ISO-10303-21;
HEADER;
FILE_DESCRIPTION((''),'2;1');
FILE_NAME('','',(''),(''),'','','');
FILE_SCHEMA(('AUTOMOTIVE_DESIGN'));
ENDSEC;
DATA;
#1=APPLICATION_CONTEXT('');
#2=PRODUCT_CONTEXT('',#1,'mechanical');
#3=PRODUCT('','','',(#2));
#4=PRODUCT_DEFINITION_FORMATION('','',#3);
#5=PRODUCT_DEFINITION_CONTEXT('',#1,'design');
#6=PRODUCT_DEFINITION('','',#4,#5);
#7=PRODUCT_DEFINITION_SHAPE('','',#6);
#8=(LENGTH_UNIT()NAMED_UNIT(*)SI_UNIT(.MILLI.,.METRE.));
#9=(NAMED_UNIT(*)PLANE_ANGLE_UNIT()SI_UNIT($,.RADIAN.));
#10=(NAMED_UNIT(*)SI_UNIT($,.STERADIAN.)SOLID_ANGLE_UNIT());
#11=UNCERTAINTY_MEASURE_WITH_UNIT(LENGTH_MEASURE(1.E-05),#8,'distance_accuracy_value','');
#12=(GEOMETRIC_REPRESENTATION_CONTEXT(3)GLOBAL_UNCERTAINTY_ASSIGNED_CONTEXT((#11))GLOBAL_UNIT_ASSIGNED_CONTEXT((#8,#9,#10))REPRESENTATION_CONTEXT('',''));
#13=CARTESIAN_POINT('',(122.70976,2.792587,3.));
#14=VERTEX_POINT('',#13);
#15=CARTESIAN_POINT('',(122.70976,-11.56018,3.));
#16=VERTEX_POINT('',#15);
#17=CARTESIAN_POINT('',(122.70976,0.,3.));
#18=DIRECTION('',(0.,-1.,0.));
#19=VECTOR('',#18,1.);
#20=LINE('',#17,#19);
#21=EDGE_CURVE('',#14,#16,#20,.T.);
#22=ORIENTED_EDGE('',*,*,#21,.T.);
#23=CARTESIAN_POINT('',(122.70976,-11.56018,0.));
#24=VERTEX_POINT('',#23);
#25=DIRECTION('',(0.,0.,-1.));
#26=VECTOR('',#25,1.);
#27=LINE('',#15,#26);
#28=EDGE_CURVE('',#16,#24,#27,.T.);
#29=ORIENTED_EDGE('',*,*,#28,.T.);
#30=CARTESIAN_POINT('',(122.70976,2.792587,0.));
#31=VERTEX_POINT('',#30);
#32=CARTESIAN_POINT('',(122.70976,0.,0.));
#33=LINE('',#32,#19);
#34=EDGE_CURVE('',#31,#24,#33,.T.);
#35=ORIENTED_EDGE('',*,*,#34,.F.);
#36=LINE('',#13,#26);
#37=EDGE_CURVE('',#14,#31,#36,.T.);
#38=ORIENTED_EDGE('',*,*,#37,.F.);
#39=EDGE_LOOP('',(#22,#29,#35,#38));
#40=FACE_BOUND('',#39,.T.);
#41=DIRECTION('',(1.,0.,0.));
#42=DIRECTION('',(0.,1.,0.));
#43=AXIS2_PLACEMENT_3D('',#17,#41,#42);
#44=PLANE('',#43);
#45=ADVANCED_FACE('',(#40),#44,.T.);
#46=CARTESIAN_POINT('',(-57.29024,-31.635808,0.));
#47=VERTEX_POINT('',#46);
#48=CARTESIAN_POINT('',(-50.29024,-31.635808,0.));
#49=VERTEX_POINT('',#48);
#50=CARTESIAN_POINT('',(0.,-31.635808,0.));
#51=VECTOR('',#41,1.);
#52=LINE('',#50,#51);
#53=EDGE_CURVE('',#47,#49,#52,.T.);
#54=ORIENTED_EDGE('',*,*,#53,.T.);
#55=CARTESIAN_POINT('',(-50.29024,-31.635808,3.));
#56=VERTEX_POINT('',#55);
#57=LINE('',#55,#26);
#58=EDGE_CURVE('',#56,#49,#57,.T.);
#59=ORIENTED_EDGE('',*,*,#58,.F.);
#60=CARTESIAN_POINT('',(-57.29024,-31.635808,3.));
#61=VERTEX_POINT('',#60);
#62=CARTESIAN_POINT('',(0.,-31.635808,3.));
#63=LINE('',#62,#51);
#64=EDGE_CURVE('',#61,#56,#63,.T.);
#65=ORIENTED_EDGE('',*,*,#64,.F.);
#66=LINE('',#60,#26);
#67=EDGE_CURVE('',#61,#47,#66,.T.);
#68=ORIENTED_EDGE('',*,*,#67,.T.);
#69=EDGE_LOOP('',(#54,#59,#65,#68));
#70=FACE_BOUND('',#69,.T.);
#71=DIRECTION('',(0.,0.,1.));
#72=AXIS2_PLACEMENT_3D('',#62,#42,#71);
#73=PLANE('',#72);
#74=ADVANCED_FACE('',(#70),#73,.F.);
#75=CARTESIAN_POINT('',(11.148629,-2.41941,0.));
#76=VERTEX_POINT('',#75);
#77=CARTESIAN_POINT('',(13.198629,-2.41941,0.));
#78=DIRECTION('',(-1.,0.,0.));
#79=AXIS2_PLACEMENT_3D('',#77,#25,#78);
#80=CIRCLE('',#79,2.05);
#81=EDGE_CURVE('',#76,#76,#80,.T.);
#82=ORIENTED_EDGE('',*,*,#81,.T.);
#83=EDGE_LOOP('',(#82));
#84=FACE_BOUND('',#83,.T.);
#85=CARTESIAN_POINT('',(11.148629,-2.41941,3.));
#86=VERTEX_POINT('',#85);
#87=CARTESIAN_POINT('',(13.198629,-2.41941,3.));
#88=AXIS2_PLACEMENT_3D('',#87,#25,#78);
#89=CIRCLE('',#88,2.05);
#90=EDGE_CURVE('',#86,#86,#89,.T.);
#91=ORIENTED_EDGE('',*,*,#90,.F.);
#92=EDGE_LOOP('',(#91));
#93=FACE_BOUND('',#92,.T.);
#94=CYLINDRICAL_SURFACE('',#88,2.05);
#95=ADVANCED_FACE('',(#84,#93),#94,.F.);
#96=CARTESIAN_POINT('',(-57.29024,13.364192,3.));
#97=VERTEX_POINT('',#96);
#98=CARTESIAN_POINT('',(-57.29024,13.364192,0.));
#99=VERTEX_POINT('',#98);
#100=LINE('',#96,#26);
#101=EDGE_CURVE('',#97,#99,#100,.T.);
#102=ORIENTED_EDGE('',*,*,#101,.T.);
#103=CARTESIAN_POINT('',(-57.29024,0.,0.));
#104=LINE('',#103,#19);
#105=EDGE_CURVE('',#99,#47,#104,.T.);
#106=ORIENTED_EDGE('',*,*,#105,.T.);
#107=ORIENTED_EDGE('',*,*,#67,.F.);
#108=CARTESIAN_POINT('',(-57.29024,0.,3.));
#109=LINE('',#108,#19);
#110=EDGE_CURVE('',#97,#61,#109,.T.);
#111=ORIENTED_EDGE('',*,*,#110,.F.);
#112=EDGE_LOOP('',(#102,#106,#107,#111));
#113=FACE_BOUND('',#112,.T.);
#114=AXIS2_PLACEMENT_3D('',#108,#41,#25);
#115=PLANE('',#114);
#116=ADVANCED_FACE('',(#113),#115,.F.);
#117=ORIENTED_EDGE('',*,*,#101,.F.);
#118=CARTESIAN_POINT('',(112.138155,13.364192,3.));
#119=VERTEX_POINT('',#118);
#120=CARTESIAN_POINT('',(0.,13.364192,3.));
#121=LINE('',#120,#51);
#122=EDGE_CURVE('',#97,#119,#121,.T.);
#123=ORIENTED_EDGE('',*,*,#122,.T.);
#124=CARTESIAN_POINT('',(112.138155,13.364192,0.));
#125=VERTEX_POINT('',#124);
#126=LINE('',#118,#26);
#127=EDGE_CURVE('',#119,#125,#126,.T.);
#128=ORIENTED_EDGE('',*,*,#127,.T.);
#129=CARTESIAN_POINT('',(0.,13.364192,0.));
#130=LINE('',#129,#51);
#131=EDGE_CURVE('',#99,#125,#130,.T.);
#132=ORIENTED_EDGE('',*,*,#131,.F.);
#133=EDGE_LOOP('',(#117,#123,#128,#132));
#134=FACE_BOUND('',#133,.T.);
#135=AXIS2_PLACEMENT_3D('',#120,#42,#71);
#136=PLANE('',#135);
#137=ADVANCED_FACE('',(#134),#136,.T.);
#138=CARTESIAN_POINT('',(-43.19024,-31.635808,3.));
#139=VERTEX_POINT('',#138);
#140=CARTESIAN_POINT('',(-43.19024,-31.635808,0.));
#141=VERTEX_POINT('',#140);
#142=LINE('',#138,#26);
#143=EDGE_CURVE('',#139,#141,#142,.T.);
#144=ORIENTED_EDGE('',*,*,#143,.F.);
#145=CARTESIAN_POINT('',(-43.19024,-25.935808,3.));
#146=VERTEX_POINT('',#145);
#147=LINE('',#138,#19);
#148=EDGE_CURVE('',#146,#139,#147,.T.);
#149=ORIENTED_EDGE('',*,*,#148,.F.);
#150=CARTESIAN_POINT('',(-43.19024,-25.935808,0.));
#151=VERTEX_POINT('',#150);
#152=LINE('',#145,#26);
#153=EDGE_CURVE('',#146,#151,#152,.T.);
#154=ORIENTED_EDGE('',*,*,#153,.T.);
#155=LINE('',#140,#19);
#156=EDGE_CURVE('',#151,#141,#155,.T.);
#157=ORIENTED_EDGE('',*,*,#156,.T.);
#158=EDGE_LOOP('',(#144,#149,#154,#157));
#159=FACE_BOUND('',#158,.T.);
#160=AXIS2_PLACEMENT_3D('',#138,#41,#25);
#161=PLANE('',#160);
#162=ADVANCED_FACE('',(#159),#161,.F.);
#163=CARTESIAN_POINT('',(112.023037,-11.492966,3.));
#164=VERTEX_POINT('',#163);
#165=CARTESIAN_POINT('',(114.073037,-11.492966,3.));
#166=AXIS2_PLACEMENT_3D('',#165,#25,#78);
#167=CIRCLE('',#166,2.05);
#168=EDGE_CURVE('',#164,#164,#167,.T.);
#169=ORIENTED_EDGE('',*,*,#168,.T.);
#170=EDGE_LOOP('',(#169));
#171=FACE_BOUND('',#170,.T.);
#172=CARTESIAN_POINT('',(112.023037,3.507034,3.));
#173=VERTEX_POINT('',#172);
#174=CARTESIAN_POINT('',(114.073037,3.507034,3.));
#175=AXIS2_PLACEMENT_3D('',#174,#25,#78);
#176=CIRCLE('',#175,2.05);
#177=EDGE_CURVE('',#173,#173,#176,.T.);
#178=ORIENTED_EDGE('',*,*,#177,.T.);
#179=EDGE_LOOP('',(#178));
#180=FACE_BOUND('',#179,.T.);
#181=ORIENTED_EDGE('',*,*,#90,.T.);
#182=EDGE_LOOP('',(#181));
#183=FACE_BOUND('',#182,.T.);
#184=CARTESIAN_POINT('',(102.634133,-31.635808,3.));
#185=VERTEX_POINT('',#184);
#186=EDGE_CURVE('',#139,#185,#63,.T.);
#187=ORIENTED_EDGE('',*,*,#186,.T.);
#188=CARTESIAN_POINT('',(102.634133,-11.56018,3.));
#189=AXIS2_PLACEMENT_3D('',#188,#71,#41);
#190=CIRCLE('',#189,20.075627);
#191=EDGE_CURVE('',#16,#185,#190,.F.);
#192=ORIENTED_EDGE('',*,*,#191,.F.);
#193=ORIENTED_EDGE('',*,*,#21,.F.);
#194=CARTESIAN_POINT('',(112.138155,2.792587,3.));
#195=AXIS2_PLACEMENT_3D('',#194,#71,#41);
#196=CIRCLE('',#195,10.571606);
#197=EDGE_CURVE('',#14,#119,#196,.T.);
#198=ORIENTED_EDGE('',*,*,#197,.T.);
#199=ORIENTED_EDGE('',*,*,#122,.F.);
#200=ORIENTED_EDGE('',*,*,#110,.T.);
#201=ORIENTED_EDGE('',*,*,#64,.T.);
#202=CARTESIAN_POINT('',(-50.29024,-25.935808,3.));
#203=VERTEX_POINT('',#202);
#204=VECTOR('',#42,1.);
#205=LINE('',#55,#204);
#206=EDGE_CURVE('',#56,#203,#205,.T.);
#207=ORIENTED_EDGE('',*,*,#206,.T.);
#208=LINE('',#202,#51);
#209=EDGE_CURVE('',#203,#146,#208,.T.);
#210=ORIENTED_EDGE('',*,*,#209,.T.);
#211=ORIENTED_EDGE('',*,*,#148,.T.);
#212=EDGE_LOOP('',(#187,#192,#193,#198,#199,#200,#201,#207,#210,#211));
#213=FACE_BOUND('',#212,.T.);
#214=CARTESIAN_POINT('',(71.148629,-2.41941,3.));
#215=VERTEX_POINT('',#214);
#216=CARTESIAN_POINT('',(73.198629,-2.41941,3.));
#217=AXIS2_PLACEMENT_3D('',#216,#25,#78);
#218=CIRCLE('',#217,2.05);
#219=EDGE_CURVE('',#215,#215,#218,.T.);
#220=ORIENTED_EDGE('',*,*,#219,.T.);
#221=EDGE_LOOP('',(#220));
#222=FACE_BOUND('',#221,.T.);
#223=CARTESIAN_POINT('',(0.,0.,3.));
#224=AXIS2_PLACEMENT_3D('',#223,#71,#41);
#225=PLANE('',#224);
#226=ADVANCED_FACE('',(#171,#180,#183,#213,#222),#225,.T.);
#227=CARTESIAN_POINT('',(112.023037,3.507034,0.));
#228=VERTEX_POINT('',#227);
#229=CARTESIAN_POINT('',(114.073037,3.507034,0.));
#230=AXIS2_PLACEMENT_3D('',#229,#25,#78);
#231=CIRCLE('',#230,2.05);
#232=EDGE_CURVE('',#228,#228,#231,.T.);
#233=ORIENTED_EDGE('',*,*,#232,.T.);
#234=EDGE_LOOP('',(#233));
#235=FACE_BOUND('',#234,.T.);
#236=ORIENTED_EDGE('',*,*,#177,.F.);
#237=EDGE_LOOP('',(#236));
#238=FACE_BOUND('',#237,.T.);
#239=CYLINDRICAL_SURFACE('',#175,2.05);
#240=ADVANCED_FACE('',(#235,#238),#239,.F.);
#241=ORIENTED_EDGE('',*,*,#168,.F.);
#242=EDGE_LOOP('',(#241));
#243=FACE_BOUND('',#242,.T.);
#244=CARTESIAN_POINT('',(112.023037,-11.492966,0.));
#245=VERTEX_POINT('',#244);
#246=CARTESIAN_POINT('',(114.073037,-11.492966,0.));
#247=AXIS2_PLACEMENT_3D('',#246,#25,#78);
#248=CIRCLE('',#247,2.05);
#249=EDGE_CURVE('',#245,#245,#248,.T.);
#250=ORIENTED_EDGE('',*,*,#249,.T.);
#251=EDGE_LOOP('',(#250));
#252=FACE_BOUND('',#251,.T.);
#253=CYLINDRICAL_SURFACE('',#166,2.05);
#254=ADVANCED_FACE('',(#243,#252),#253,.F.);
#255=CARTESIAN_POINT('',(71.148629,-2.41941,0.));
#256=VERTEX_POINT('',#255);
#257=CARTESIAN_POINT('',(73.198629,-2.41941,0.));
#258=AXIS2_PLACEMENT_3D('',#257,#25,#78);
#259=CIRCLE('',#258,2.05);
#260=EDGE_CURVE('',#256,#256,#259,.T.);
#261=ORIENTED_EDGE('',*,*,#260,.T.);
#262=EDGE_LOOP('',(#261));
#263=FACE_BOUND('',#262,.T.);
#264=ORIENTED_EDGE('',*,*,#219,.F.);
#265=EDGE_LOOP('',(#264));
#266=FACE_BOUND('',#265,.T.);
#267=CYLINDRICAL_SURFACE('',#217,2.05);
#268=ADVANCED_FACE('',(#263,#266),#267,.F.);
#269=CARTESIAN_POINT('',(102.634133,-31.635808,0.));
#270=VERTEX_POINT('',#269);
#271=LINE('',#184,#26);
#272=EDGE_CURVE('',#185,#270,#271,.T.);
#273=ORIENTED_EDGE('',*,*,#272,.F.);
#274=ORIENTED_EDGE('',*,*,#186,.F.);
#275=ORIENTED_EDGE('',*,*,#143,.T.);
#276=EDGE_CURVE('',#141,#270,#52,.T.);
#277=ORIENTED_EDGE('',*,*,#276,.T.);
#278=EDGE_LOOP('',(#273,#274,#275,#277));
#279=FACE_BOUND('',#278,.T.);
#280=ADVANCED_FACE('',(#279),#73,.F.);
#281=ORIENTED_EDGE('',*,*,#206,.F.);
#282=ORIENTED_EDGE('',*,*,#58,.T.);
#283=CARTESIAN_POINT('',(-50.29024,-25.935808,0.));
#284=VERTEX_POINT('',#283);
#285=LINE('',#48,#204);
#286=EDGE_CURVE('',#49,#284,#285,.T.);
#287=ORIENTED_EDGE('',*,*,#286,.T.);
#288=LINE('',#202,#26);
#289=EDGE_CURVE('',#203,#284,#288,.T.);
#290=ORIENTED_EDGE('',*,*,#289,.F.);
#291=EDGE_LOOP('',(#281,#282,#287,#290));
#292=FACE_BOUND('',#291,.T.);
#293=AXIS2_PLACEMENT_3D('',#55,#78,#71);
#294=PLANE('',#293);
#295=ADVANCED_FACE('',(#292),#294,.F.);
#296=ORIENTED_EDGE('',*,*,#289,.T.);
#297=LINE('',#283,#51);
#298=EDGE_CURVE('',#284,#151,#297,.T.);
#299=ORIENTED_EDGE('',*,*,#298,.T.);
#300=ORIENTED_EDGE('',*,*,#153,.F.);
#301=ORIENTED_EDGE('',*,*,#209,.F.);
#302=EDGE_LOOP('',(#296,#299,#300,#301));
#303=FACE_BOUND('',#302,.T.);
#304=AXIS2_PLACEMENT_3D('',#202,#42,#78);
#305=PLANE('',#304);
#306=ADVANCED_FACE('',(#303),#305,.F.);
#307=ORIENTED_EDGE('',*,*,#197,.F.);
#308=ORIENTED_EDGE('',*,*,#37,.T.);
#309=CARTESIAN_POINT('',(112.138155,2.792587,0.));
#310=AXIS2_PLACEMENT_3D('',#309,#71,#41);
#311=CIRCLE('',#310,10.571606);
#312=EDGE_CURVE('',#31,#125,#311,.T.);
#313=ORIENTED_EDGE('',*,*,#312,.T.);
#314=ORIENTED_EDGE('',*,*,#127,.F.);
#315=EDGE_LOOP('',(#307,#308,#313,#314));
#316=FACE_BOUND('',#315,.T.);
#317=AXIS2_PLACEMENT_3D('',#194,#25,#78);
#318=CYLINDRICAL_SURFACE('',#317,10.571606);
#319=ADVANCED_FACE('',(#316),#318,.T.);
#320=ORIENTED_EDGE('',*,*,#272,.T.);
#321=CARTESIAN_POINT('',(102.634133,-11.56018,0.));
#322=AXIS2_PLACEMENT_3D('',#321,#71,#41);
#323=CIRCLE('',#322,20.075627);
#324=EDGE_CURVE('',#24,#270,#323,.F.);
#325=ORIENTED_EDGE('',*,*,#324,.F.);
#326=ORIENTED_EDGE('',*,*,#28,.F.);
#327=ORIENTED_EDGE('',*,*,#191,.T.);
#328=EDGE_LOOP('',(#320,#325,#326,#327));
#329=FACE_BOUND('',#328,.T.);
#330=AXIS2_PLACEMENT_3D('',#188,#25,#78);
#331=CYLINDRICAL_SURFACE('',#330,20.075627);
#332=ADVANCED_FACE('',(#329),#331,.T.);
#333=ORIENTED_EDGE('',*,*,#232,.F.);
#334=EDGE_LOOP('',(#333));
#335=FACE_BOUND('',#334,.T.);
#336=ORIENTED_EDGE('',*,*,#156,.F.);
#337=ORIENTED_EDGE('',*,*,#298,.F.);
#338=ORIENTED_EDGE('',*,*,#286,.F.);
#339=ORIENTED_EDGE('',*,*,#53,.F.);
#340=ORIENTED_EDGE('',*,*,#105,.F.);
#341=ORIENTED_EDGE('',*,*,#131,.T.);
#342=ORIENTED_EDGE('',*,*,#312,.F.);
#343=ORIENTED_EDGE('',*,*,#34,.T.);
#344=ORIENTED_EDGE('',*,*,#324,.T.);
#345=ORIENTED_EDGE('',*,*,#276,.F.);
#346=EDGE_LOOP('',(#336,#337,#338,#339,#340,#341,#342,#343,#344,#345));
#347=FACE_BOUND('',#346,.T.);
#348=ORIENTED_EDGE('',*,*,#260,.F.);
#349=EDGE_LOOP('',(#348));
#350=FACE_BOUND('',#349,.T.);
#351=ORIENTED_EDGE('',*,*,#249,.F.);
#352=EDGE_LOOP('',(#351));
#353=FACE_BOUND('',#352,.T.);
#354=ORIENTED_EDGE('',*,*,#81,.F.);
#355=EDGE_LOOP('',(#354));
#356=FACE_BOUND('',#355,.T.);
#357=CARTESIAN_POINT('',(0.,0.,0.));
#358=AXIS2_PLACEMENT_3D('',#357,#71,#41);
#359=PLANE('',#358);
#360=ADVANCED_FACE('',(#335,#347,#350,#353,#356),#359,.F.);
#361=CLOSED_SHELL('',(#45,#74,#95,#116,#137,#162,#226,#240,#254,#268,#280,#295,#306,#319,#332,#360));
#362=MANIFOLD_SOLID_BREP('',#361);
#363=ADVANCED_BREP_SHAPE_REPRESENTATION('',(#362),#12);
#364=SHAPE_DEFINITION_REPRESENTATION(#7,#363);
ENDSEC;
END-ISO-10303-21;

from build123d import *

# Parameters (mm, degrees)
EXTRUDE_1_DEPTH     = 3
SKETCH_2_W          = 7.1
SKETCH_2_H          = 5.7
CUT_EXTRUDE_1_DEPTH = 127.757680391
SKETCH_3_R          = 2.05
CUT_EXTRUDE_2_DEPTH = 127.757680391


with BuildPart() as part:
    # 스케치1 → 보스-돌출1 (new body)
    with BuildSketch(Plane.XY):
        with BuildLine():
            Line((77.962543428, 13.364192405), (-57.290239933, 13.364192405))
            Line((-57.290239933, 13.364192405), (-57.290239933, 1.630404544))
            Line((-57.290239933, 1.630404544), (-57.290239933, -6.697716143))
            Line((-57.290239933, -6.697716143), (-57.290239933, -31.635807595))
            Line((-57.290239933, -31.635807595), (102.63413291, -31.635807595))
            ThreePointArc((102.63413291, -31.635807595), (116.82974501, -25.755792538), (122.709760067, -11.560180438))
            Line((122.709760067, -11.560180438), (122.709760067, 2.792586849))
            ThreePointArc((122.709760067, 2.792586849), (119.613408488, 10.267840825), (112.138154512, 13.364192405))
            Line((112.138154512, 13.364192405), (77.962543428, 13.364192405))
        make_face()
    extrude(amount=EXTRUDE_1_DEPTH)

    # 스케치2 → 컷-돌출1 (cut, through all)
    with BuildSketch(Plane(origin=(0, 0, 0), x_dir=(-1, 0, 0), z_dir=(0, 0, -1))):
        with Locations((46.740239933, -28.785807595)):
            Rectangle(SKETCH_2_W, SKETCH_2_H)
    extrude(amount=-CUT_EXTRUDE_1_DEPTH, mode=Mode.SUBTRACT)

    # 스케치3 → 컷-돌출2 (cut, through all)
    with BuildSketch(Plane(origin=(0, 0, 0), x_dir=(-1, 0, 0), z_dir=(0, 0, -1))):
        with Locations((-114.073037193, 3.507033956)):
            Circle(SKETCH_3_R)
        with Locations((-73.198629194, -2.419409625)):
            Circle(SKETCH_3_R)
        with Locations((-114.073037193, -11.492966044)):
            Circle(SKETCH_3_R)
        with Locations((-13.198629194, -2.419409625)):
            Circle(SKETCH_3_R)
    extrude(amount=-CUT_EXTRUDE_2_DEPTH, mode=Mode.SUBTRACT)


solid = part.part
